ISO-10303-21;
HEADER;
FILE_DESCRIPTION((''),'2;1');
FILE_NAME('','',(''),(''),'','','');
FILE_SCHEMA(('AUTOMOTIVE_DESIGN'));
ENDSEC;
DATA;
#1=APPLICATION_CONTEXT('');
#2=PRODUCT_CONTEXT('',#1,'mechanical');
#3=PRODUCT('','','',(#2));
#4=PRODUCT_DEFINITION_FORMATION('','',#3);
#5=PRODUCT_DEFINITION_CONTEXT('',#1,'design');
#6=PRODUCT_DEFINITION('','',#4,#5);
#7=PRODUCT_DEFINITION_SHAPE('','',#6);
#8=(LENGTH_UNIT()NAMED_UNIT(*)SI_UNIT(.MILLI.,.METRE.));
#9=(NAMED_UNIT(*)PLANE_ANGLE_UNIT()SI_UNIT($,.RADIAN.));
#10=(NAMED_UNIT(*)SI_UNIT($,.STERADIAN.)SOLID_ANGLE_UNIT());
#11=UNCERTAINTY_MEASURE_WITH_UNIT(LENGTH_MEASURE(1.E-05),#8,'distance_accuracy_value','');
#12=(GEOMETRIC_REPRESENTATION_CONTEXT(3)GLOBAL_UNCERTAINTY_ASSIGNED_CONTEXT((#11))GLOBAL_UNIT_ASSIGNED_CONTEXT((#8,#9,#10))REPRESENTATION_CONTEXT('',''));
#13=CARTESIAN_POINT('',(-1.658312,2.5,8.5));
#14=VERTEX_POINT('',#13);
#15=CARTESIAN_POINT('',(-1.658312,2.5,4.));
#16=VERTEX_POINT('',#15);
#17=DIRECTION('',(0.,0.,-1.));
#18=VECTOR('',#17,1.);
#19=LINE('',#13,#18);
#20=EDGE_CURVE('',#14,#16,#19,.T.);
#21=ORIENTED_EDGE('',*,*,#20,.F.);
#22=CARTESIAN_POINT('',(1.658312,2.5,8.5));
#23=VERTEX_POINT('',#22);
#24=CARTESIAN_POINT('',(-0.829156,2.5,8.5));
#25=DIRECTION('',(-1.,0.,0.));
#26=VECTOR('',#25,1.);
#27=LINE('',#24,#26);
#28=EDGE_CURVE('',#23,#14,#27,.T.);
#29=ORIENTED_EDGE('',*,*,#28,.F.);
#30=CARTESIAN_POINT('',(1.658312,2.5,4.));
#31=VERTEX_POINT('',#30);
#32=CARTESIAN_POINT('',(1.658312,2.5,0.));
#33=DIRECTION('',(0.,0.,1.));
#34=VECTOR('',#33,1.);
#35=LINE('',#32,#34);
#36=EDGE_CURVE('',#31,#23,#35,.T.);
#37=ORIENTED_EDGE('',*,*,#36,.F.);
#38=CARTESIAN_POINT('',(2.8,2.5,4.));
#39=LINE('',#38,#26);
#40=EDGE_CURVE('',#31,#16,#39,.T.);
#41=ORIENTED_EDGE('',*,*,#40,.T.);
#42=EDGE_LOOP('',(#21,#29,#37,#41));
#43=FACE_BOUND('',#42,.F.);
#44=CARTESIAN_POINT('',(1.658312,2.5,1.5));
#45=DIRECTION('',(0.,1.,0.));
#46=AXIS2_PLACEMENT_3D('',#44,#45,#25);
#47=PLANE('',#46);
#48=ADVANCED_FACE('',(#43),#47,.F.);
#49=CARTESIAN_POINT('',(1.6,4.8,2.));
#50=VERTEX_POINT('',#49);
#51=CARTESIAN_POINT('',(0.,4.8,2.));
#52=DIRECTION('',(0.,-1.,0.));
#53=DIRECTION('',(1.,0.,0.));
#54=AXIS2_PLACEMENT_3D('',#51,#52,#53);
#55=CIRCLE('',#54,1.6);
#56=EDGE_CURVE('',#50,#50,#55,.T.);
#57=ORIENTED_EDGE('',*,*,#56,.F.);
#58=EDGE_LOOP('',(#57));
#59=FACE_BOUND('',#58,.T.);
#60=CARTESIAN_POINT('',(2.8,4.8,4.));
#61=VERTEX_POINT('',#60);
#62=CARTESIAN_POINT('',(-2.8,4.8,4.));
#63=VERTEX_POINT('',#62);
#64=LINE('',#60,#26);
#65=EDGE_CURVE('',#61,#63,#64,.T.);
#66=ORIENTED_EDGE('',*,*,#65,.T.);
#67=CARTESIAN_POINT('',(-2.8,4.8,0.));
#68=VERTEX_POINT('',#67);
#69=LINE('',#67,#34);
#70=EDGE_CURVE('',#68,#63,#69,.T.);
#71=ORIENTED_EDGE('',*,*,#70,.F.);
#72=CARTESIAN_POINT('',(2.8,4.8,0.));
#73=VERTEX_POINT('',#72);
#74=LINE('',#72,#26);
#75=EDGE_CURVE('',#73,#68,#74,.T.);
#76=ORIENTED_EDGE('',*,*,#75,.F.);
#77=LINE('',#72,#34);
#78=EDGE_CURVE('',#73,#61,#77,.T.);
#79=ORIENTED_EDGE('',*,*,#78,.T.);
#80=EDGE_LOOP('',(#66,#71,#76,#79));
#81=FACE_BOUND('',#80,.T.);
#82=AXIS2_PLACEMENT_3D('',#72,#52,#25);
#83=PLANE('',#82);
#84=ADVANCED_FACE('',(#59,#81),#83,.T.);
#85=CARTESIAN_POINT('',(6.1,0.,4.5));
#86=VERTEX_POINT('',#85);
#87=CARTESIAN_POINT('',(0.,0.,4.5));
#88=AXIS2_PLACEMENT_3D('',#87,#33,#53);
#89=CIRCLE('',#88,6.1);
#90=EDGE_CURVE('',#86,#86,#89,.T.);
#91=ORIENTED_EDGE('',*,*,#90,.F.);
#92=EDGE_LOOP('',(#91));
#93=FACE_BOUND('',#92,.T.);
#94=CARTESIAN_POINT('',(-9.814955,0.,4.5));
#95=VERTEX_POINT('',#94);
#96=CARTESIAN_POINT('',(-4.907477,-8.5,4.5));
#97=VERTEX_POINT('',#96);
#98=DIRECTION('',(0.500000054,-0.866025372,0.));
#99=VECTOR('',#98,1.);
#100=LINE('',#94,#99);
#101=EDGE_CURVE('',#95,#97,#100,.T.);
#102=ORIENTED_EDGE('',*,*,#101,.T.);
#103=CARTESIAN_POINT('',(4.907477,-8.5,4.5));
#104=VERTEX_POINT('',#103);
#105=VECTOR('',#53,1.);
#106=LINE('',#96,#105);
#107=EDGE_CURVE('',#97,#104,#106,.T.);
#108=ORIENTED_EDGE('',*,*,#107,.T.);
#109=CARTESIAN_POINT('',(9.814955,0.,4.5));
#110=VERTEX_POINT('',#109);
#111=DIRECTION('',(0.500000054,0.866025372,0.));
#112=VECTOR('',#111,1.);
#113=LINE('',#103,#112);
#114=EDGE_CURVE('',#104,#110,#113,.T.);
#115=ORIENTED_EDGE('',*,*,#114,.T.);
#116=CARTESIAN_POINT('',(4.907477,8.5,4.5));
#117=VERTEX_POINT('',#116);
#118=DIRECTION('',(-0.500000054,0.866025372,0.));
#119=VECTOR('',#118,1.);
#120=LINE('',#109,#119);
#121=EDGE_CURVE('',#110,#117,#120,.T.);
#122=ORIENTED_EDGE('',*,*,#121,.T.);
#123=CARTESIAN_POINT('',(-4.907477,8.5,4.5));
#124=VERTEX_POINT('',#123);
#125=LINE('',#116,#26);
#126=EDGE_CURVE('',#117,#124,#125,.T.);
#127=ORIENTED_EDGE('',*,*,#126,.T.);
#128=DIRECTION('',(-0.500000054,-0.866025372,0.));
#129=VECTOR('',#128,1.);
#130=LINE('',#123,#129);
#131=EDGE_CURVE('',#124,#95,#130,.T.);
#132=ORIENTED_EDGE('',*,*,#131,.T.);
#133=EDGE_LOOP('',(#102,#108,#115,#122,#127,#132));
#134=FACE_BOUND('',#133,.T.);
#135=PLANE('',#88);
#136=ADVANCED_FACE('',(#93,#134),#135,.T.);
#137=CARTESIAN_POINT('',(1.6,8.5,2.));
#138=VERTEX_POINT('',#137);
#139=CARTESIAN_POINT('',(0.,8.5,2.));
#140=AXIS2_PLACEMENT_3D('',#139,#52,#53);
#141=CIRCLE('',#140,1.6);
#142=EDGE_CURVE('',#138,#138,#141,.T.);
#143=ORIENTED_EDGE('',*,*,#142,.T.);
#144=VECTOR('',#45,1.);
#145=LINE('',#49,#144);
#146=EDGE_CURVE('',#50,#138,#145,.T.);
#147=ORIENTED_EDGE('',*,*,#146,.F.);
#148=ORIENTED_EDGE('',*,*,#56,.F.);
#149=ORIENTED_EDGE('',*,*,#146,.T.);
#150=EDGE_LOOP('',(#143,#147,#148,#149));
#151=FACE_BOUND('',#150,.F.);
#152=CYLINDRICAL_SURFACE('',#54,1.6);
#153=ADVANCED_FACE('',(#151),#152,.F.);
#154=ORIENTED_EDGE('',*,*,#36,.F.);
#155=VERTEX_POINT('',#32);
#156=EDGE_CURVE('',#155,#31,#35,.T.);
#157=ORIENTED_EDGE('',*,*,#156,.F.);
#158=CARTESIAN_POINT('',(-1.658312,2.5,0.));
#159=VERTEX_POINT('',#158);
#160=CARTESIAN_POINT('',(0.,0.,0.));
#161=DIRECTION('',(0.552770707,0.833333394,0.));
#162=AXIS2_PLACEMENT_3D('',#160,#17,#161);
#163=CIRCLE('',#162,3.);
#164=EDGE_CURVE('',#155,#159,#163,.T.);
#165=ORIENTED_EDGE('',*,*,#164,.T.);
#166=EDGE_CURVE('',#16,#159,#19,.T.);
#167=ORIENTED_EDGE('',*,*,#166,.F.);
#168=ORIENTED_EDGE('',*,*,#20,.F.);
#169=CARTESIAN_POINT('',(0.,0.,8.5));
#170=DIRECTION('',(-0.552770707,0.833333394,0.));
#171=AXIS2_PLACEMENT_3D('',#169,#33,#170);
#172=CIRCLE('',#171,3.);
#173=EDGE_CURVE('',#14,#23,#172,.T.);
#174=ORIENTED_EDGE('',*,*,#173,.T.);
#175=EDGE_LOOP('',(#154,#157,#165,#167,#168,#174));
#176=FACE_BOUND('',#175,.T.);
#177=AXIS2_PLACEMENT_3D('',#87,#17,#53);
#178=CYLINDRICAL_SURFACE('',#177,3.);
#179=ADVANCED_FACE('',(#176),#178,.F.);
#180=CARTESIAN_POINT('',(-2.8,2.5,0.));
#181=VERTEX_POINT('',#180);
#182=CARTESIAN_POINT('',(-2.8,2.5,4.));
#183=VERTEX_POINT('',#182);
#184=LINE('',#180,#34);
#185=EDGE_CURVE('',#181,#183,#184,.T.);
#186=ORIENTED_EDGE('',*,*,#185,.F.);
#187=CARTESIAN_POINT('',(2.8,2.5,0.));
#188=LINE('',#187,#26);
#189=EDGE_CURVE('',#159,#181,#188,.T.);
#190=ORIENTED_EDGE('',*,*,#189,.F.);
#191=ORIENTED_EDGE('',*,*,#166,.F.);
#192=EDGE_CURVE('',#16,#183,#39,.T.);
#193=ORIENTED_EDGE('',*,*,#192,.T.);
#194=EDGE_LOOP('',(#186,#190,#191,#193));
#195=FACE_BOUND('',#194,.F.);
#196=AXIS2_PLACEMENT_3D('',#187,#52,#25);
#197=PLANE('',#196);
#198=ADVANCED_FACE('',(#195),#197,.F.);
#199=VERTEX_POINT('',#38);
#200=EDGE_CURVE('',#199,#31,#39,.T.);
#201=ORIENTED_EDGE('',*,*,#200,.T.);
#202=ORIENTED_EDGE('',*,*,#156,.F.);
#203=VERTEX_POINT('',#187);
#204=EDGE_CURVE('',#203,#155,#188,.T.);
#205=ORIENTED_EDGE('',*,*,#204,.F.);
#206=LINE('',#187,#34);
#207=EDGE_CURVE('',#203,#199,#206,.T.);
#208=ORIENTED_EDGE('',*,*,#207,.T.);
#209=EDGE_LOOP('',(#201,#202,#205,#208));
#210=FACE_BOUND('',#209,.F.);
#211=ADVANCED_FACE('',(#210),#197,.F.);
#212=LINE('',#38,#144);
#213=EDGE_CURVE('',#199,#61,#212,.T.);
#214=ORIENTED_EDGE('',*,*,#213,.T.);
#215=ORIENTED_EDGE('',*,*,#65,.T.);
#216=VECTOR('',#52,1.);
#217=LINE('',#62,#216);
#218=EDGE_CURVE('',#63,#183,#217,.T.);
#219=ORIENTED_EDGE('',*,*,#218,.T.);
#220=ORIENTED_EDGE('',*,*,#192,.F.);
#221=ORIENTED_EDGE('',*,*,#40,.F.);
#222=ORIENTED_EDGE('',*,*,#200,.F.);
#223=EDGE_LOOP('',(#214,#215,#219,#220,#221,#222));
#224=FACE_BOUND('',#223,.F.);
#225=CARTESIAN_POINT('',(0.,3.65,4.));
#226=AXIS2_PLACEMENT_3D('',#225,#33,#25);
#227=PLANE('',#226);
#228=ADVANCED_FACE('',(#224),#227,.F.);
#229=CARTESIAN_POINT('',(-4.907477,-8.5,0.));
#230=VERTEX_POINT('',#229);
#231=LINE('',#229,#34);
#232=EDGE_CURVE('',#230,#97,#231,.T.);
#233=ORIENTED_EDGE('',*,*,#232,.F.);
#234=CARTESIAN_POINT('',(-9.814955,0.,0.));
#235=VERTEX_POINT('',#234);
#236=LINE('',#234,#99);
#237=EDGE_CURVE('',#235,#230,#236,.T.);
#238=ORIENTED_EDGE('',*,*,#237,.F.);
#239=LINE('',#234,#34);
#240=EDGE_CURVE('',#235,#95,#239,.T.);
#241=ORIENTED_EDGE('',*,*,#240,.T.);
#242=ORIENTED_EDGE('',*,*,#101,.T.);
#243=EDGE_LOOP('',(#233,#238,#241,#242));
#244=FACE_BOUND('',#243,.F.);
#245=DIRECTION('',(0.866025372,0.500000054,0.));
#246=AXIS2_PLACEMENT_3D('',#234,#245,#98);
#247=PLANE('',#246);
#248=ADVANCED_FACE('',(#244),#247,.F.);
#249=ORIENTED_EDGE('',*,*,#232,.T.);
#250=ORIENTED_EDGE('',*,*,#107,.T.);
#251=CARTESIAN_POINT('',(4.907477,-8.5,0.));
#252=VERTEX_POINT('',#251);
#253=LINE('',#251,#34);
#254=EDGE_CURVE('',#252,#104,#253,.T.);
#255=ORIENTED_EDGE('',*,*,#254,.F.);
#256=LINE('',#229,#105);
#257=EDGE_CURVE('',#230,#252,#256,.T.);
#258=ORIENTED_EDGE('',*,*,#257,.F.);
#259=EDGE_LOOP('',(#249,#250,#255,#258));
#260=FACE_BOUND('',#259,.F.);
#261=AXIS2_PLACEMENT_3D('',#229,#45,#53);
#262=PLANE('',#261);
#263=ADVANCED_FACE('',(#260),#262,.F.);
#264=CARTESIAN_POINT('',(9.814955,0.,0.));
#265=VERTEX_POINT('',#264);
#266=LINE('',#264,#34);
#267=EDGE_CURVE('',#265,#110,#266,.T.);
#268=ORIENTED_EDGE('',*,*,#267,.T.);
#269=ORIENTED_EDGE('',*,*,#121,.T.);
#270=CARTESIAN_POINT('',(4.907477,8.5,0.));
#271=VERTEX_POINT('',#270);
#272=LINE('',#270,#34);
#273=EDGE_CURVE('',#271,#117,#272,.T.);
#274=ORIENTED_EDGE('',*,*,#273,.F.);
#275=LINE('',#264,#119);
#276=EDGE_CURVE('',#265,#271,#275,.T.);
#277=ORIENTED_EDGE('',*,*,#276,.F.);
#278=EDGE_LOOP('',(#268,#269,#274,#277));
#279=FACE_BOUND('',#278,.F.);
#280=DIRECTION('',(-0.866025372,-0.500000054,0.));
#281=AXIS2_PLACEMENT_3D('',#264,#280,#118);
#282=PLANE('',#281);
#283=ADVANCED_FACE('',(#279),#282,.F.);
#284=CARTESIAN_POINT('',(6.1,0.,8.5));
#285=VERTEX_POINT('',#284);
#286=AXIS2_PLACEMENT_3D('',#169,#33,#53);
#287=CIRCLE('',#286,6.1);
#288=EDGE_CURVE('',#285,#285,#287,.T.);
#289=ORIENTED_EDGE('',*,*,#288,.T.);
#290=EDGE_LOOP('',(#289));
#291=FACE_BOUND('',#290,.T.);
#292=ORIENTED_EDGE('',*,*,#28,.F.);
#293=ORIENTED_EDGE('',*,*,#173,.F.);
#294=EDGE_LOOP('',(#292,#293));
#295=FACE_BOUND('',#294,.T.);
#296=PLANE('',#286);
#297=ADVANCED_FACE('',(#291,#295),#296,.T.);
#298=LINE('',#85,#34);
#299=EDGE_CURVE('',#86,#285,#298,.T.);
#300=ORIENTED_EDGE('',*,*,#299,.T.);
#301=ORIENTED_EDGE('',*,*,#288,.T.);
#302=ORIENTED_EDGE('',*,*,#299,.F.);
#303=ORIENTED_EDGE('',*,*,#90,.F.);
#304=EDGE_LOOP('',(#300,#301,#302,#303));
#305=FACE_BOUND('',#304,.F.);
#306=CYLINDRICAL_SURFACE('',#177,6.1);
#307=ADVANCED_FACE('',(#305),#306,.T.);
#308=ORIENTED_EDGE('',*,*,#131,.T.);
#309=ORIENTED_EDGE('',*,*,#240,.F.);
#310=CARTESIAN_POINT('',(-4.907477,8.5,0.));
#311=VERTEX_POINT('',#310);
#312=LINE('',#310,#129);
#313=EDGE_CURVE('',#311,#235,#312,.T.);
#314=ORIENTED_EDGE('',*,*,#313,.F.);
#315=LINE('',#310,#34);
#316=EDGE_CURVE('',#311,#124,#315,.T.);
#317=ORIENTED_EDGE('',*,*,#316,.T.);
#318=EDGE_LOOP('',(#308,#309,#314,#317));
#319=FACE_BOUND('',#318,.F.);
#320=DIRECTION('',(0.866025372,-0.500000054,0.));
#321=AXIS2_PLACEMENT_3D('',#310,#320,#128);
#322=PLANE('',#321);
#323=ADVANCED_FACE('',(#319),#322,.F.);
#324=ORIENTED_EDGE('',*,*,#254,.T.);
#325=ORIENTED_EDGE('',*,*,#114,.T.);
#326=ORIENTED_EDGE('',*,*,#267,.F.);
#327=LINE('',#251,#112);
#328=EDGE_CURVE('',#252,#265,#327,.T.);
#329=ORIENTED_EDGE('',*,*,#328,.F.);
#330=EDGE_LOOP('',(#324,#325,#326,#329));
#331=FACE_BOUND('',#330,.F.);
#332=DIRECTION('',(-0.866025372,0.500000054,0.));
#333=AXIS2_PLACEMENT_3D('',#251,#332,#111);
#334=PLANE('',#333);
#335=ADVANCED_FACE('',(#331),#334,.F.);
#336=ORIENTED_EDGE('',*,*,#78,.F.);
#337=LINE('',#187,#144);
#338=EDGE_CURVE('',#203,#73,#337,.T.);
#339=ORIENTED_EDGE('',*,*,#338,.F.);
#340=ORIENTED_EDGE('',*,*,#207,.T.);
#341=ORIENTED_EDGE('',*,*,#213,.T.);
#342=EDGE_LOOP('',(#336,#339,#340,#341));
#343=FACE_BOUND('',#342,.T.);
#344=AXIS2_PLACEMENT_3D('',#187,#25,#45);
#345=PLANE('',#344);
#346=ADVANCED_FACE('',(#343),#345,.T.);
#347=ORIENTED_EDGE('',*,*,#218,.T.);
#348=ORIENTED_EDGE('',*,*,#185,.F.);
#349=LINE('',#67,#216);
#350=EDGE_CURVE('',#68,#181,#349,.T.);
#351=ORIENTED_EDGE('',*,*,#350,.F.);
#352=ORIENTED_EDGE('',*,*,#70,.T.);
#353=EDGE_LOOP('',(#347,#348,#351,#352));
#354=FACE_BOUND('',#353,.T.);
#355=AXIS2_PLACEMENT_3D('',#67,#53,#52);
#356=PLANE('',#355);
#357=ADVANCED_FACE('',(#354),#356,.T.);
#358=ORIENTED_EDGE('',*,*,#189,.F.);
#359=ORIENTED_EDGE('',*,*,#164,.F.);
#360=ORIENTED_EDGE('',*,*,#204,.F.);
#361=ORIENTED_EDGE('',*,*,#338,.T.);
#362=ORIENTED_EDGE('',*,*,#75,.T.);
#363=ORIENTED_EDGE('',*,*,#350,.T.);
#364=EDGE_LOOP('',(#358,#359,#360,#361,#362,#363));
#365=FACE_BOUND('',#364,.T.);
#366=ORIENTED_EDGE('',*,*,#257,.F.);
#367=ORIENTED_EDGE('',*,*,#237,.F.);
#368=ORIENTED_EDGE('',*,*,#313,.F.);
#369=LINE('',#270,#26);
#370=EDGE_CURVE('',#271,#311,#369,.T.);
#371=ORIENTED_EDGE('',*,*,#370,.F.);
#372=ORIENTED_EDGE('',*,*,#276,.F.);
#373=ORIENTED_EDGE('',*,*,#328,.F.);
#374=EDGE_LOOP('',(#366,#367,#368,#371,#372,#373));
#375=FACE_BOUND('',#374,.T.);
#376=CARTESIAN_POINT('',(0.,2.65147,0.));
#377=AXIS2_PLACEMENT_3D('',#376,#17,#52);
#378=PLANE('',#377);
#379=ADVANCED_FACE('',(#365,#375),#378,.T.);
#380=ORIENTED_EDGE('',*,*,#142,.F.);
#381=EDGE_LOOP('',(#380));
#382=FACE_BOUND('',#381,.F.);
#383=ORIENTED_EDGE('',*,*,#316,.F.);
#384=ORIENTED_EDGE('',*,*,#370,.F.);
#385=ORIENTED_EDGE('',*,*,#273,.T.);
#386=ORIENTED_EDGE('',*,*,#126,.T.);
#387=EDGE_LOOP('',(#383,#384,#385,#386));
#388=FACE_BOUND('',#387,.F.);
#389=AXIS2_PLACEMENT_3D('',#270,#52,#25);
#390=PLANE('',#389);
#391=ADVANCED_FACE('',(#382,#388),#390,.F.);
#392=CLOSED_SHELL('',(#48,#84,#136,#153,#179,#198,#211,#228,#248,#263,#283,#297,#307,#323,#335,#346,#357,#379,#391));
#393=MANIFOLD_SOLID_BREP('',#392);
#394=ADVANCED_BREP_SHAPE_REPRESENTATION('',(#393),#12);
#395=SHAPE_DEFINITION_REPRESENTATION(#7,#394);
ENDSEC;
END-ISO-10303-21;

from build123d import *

# Parameters (mm, degrees)
SKETCH_R        = 3
PAD_DEPTH       = 4.5
SKETCH001_R     = 6.1
SKETCH001_R_2   = 3
PAD001_DEPTH    = 10
PAD002_DEPTH    = 13
SKETCH003_R     = 6.1
POCKET_DEPTH    = 6
PAD003_DEPTH    = 1.5
POCKET001_DEPTH = 4
SKETCH005_R     = 1.6
POCKET002_DEPTH = 3.701


with BuildPart() as part:
    # Sketch → Pad (new body)
    with BuildSketch(Plane.XY):
        Polygon((9.814955, 0), (4.907477, 8.5), (-4.907477, 8.5), (-9.814955, 0), (-4.907477, -8.5), (4.907477, -8.5), align=None)
        Circle(SKETCH_R, mode=Mode.SUBTRACT)
    extrude(amount=PAD_DEPTH)

    # Sketch001 (on Face9 of Pad) → Pad001 (join)
    with BuildSketch(Plane.XY.offset(4.5)):
        Circle(SKETCH001_R)
        Circle(SKETCH001_R_2, mode=Mode.SUBTRACT)
    extrude(amount=PAD001_DEPTH)

    # Sketch002 (on Face12 of Pad001) → Pad002 (join)
    with BuildSketch(Plane.XY.offset(14.5)):
        with BuildLine():
            Line((-1.658312, 2.5), (1.658312, 2.5))
            ThreePointArc((1.658312, 2.5), (0, 3), (-1.658312, 2.5))
        make_face()
    extrude(amount=-PAD002_DEPTH)

    # Sketch003 (on Face15 of Pad002) → Pocket (cut)
    with BuildSketch(Plane.XY.offset(14.5)):
        Circle(SKETCH003_R)
    extrude(amount=-POCKET_DEPTH, mode=Mode.SUBTRACT)

    # Pocket Face13 → Pad003 (add)
    with BuildSketch(Plane(origin=(0, 2.701501, 1.5), x_dir=(0, -1, 0), z_dir=(0, 0, -1))):
        with BuildLine():
            Line((0.201501, -1.658312), (0.201501, 1.658312))
            ThreePointArc((0.201501, 1.658312), (-0.298499, 0), (0.201501, -1.658312))
        make_face()
    extrude(amount=PAD003_DEPTH)

    # Sketch004 (on Face4 of Pad003) → Pocket001 (cut)
    with BuildSketch(Plane(origin=(0, 0, 0), x_dir=(1, 0, 0), z_dir=(0, 0, -1))):
        Polygon((2.8, -2.5), (2.8, -4.8), (-2.8, -4.8), (-2.8, -2.5), (0, -2.5), align=None)
    extrude(amount=-POCKET001_DEPTH, mode=Mode.SUBTRACT)

    # Sketch005 (on Face12 of Pocket001) → Pocket002 (cut, through all)
    with BuildSketch(Plane.XZ.offset(-4.8)):
        with Locations((0, 2)):
            Circle(SKETCH005_R)
    extrude(amount=-POCKET002_DEPTH, mode=Mode.SUBTRACT)


solid = part.part
